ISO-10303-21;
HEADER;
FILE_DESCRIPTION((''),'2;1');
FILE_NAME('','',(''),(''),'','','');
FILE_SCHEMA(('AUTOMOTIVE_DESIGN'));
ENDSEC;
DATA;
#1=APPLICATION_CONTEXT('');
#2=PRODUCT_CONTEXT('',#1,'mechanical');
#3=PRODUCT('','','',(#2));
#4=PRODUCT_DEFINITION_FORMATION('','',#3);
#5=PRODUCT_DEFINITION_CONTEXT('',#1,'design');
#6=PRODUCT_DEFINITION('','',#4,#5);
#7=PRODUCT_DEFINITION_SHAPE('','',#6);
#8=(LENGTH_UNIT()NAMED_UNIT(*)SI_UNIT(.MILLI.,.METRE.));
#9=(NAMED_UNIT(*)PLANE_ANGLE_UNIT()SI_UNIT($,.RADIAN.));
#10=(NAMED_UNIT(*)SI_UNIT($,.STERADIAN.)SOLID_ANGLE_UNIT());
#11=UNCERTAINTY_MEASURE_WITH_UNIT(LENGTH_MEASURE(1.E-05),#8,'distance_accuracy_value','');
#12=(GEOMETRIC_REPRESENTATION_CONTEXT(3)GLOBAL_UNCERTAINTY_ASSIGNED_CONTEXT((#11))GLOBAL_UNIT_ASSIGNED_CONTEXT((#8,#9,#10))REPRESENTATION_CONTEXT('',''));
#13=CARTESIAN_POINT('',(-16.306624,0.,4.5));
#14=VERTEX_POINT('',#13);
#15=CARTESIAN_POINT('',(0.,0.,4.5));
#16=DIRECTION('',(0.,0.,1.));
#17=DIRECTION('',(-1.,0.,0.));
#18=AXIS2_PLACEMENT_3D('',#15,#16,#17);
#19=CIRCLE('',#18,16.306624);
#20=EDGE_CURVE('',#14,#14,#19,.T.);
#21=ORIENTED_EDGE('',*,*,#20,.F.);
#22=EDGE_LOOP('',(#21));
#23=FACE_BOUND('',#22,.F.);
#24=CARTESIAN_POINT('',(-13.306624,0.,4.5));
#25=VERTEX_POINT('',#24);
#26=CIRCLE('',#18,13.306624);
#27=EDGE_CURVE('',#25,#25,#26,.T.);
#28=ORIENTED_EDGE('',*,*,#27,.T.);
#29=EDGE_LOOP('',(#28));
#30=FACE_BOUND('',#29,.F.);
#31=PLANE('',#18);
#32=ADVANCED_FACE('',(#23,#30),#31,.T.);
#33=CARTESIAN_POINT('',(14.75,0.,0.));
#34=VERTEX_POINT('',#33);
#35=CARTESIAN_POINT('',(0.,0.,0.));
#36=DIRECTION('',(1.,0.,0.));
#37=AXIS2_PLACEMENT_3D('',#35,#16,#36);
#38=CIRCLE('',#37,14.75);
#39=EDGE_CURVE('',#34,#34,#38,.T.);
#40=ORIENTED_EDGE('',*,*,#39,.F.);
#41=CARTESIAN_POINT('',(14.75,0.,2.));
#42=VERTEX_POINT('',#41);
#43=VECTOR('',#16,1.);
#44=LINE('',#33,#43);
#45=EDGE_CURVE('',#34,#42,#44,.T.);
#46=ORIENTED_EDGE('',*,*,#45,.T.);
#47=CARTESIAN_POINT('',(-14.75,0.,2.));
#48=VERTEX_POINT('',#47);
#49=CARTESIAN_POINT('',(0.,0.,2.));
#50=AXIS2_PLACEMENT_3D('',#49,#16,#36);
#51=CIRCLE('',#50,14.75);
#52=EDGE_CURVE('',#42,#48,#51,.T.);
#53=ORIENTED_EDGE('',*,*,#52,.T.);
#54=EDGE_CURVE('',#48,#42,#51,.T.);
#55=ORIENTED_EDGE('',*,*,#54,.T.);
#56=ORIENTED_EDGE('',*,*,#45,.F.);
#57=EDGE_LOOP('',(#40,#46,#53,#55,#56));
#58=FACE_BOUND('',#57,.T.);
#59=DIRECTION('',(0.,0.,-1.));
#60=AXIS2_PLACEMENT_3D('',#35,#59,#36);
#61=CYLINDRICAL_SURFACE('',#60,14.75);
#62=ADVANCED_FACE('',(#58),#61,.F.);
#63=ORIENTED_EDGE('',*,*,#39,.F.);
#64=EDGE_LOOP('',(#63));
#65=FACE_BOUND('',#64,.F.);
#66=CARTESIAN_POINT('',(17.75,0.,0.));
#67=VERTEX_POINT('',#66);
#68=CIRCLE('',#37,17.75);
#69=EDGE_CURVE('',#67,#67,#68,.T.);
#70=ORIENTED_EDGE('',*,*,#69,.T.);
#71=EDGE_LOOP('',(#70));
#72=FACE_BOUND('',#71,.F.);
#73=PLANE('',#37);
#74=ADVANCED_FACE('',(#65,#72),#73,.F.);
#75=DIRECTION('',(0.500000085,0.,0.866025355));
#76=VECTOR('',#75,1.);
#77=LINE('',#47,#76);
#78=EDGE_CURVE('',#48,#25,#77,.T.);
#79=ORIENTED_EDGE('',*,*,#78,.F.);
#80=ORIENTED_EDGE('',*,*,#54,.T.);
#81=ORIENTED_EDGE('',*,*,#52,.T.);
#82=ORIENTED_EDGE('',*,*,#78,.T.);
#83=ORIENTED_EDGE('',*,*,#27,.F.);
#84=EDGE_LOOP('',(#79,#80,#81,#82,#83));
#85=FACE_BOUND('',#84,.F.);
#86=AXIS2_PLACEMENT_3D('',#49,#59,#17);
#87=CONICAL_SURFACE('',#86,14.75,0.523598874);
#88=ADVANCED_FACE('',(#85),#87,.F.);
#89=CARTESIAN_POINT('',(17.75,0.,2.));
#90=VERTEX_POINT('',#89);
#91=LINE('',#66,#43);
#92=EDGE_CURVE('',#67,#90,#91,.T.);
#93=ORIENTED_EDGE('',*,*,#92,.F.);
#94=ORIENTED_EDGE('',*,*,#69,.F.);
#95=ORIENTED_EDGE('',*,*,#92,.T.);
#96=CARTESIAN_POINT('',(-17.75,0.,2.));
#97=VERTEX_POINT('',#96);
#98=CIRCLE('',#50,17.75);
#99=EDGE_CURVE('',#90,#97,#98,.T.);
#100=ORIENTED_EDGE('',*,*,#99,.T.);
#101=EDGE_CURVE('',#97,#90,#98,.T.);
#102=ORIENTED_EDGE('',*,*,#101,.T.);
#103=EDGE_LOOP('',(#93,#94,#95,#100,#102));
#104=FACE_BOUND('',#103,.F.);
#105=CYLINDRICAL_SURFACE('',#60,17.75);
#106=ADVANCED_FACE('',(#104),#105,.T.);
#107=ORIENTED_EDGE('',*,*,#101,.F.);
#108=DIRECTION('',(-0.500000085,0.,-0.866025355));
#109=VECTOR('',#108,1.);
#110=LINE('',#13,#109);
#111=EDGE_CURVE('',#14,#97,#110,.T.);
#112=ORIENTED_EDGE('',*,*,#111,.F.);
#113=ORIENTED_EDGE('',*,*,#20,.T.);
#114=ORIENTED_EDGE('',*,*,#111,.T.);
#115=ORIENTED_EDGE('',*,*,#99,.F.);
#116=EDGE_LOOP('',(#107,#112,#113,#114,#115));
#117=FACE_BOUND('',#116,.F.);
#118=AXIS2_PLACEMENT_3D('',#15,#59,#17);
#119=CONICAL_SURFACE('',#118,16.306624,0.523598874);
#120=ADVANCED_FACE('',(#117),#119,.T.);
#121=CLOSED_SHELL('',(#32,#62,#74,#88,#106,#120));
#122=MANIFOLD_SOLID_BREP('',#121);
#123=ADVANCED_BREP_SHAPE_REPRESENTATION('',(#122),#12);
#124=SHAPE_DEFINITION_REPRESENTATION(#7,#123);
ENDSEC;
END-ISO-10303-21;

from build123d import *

# Parameters (mm, degrees)
F0_R     = 17.75
F0_R_2   = 14.75
F1_DEPTH = 2


with BuildPart() as f1:
    # F0 (on Top) → F1 (new body)
    with BuildSketch(Plane.XY):
        Circle(F0_R)
        Circle(F0_R_2, mode=Mode.SUBTRACT)
    extrude(amount=F1_DEPTH)

    # F2 (on Front) → F3 (revolve)
    with BuildSketch(Plane.XZ):
        Polygon((-16.306624, 4.5), (-17.75, 2), (-14.75, 2), (-13.306624, 4.5), align=None)
    revolve(axis=Axis((0, 0, 3.392037), (0, 0, 1)))


solid = f1.part
